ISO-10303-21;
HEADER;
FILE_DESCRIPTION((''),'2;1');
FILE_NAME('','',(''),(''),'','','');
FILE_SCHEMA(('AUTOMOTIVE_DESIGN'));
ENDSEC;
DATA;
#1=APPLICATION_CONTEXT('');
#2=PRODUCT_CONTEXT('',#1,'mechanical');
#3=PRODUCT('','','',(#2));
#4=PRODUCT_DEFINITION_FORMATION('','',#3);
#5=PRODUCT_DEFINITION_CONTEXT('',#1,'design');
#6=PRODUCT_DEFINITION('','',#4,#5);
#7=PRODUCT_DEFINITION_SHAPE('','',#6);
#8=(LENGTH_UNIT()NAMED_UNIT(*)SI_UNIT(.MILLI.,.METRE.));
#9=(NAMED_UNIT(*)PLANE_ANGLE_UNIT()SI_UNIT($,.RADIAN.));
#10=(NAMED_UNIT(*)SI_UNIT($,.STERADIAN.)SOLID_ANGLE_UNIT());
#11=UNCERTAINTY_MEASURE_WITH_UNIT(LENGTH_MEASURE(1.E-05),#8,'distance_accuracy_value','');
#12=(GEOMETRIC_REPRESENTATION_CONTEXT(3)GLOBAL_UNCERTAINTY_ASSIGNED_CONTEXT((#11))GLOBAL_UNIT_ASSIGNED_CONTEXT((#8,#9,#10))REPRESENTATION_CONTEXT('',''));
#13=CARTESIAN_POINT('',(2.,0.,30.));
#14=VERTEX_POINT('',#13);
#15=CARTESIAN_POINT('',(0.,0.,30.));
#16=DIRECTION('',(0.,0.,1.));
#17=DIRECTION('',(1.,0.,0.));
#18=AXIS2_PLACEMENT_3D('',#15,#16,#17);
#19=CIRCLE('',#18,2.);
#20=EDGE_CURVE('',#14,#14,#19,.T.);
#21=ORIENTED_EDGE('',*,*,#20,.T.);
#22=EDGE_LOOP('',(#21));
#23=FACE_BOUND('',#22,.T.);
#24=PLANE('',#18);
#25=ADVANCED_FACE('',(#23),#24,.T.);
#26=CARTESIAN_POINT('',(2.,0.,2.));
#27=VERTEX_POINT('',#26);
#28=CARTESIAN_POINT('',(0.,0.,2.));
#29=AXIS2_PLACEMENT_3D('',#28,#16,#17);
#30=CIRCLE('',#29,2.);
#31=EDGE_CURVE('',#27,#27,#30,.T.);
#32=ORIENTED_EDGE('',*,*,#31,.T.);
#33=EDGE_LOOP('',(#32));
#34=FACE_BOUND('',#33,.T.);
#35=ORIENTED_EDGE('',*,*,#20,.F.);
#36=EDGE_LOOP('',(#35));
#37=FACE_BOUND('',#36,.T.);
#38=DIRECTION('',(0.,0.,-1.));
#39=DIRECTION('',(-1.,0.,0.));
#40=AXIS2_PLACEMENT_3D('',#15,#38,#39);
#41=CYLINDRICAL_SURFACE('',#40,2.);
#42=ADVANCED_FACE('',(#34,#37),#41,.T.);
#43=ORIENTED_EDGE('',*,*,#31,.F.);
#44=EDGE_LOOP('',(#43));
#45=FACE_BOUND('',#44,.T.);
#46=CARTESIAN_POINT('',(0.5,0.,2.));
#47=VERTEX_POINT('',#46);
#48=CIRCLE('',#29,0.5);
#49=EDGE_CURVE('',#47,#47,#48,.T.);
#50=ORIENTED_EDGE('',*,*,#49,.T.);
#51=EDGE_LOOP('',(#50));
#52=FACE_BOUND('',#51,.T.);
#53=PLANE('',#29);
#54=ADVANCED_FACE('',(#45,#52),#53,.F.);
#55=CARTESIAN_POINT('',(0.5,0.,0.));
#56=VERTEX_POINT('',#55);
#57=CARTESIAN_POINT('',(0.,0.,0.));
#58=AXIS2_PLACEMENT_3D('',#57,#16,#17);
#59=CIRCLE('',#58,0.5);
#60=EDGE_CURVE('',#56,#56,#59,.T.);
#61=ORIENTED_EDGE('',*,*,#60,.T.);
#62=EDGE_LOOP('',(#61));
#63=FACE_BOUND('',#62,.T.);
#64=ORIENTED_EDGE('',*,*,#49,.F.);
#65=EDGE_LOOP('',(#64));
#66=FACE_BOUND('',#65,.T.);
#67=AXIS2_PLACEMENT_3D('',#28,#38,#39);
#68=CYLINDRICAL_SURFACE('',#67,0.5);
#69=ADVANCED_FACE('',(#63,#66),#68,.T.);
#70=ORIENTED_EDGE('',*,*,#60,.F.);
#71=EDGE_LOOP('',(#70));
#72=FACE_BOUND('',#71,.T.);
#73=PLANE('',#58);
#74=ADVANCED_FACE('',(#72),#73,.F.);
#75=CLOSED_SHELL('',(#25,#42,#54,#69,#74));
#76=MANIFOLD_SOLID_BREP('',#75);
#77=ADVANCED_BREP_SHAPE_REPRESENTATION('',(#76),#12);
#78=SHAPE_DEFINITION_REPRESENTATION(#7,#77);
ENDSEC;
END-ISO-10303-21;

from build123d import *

# Parameters (mm, degrees)
IZIM2_R                     = 0.5
Y_KSEKLIK_EKSTR_ZYON1_DEPTH = 2
IZIM3_R                     = 2
Y_KSEKLIK_EKSTR_ZYON2_DEPTH = 28


with BuildPart() as part:
    # Çizim2 → Yükseklik-Ekstrüzyon1 (new body)
    with BuildSketch(Plane.XY):
        Circle(IZIM2_R)
    extrude(amount=Y_KSEKLIK_EKSTR_ZYON1_DEPTH)

    # Çizim3 → Yükseklik-Ekstrüzyon2 (add)
    with BuildSketch(Plane.XY.offset(2)):
        Circle(IZIM3_R)
    extrude(amount=Y_KSEKLIK_EKSTR_ZYON2_DEPTH)


solid = part.part
